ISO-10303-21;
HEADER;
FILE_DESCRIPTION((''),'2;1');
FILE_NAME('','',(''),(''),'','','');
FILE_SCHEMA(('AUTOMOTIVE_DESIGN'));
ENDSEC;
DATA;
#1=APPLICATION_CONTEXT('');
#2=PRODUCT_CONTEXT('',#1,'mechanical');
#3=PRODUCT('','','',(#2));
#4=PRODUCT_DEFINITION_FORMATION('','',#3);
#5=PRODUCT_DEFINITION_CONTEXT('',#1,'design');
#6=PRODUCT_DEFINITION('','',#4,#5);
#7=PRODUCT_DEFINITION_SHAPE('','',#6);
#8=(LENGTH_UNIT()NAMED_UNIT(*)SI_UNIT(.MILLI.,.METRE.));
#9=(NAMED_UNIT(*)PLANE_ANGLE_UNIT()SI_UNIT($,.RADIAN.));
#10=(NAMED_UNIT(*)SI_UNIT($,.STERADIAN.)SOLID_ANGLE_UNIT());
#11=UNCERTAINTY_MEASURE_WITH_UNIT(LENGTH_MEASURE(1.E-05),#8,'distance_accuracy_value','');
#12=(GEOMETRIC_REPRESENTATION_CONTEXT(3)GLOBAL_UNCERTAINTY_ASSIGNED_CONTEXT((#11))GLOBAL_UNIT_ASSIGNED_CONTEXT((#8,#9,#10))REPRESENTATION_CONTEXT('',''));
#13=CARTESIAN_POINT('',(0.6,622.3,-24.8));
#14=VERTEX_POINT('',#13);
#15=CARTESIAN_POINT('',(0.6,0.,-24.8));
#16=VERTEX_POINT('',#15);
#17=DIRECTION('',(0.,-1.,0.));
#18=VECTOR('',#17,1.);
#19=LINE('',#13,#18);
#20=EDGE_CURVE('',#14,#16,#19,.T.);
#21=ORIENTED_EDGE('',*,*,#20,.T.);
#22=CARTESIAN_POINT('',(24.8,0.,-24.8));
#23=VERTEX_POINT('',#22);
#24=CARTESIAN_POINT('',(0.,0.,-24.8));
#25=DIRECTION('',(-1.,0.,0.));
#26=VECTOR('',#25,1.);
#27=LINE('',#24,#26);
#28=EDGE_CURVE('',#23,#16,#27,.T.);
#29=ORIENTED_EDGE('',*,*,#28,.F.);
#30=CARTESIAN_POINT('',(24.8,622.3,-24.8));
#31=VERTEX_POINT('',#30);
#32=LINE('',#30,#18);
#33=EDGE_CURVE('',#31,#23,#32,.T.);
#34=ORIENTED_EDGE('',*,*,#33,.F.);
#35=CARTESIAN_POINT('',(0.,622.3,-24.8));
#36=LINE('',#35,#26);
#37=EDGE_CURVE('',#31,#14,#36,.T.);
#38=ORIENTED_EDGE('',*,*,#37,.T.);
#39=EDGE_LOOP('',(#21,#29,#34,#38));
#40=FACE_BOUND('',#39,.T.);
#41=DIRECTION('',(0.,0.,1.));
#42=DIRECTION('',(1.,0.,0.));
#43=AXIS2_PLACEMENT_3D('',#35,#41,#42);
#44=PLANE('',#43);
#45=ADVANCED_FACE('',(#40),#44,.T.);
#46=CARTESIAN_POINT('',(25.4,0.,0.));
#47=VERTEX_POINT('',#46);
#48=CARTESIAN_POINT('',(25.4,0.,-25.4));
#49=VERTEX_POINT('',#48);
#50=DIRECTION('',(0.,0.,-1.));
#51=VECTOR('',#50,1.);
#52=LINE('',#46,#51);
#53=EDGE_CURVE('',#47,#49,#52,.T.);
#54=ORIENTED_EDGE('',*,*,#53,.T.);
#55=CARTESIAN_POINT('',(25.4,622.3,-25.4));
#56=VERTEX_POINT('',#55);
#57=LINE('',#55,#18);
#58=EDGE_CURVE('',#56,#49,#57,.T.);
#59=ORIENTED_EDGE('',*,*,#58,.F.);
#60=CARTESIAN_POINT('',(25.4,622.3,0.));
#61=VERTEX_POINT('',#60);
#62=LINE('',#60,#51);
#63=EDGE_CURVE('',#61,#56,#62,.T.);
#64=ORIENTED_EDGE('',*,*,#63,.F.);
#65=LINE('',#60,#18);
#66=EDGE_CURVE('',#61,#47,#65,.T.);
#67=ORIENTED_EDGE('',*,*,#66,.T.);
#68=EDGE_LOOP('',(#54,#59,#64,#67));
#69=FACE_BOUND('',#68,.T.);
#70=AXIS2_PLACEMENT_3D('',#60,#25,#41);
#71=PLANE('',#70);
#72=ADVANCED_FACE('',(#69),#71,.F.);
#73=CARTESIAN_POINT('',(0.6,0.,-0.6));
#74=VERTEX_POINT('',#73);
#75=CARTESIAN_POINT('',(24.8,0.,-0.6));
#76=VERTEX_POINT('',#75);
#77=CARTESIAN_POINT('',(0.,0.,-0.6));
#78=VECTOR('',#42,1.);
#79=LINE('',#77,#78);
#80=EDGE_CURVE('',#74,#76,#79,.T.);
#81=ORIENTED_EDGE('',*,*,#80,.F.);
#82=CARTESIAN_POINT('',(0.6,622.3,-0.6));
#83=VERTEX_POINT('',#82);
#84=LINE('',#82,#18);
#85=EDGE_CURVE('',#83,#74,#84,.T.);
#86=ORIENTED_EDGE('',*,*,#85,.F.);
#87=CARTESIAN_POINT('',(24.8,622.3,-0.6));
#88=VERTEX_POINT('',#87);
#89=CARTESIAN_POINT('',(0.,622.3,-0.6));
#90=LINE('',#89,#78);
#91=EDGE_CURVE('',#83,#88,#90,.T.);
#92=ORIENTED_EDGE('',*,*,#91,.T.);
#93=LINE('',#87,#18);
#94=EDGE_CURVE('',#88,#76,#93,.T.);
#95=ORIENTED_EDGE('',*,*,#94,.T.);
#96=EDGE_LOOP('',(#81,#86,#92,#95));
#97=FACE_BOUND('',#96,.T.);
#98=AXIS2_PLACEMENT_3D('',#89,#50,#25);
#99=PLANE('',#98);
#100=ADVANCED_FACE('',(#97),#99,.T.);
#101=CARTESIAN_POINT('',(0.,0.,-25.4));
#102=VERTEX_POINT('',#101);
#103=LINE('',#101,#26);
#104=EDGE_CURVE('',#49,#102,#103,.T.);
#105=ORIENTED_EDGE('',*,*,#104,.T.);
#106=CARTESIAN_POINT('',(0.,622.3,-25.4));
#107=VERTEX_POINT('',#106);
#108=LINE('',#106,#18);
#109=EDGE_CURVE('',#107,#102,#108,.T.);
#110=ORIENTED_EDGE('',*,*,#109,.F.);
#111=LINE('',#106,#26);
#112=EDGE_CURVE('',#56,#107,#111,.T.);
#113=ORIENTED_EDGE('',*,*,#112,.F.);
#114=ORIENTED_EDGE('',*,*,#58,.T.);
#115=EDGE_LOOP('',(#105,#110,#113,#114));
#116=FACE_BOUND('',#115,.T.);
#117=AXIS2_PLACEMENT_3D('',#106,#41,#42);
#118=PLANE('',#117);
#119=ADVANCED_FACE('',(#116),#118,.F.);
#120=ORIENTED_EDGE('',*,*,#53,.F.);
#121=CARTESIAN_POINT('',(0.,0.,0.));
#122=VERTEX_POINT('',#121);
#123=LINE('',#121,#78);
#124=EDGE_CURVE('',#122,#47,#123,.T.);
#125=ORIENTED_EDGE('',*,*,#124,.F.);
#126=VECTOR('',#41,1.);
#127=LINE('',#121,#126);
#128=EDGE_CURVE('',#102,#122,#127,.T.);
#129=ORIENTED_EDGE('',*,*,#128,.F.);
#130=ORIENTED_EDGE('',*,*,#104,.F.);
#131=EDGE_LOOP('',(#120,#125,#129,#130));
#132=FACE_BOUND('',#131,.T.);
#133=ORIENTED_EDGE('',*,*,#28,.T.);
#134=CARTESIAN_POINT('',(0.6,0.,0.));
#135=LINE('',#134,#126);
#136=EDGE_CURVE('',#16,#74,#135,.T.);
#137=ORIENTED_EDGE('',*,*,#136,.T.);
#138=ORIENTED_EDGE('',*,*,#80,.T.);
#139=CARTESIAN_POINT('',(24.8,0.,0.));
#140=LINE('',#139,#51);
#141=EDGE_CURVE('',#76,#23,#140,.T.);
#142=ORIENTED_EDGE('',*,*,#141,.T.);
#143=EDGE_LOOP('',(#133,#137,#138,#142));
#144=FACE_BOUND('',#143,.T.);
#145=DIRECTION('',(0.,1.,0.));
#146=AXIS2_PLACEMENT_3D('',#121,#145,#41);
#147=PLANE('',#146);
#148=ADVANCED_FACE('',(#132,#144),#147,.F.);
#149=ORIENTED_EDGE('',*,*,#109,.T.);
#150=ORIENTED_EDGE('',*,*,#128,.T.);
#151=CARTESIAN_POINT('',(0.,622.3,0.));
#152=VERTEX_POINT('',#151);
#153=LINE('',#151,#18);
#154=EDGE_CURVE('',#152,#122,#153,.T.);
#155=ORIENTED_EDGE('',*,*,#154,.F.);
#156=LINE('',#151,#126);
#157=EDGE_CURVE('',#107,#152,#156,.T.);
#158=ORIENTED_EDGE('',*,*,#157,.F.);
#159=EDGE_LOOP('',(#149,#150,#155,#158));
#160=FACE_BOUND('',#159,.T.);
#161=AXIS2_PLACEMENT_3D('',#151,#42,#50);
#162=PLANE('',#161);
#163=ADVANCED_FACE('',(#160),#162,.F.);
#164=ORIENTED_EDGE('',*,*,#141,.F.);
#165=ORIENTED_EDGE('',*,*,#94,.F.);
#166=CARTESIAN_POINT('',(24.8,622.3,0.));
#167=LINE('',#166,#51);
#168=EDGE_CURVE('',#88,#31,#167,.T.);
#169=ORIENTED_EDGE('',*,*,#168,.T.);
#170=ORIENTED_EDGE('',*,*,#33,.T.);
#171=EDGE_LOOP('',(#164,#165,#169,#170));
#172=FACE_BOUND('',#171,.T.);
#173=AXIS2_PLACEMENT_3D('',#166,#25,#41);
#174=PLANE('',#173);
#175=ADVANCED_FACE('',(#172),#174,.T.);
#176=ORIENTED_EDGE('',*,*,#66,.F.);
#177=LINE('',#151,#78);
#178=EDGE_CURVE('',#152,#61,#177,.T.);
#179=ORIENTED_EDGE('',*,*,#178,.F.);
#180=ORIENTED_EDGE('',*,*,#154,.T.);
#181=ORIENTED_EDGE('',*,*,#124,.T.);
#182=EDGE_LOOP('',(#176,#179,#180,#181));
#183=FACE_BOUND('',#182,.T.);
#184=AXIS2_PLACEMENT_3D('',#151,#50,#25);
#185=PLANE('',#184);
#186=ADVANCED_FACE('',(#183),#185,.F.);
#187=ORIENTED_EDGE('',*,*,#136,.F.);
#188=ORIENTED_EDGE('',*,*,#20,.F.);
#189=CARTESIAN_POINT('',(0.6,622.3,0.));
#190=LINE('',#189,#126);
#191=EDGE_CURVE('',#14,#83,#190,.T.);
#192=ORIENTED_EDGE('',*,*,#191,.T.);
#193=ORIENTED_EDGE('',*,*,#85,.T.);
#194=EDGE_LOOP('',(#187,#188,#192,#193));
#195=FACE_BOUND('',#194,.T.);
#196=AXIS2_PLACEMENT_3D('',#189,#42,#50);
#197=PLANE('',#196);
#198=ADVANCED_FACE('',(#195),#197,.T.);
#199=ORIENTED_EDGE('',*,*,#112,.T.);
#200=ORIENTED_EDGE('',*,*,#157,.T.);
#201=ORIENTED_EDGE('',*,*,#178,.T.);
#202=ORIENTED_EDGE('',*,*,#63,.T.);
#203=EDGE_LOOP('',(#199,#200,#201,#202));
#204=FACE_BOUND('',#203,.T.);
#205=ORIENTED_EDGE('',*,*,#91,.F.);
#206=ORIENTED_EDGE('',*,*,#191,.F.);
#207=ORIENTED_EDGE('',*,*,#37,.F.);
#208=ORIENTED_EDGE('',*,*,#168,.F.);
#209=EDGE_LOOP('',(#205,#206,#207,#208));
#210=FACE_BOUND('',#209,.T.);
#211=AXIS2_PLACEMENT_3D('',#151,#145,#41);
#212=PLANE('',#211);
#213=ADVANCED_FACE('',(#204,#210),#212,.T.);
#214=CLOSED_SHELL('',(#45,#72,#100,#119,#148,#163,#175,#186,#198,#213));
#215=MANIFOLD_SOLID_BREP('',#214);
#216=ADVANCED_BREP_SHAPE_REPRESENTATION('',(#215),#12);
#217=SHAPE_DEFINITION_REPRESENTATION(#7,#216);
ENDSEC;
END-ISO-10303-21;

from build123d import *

# Parameters (mm, degrees)
SKETCH2_W           = 25.4
SKETCH2_H           = 25.4
SKETCH2_W_2         = 24.2
SKETCH2_H_2         = 24.2
EXTRUDE_THIN1_DEPTH = 622.3


with BuildPart() as part:
    # Sketch2 → Extrude-Thin1 (new body)
    with BuildSketch(Plane(origin=(0, 0, 0), x_dir=(1, 0, 0), z_dir=(0, 1, 0))):
        with Locations((12.7, 12.7)):
            Rectangle(SKETCH2_W, SKETCH2_H)
        with Locations((12.7, 12.7)):
            Rectangle(SKETCH2_W_2, SKETCH2_H_2, mode=Mode.SUBTRACT)
    extrude(amount=EXTRUDE_THIN1_DEPTH)


solid = part.part
